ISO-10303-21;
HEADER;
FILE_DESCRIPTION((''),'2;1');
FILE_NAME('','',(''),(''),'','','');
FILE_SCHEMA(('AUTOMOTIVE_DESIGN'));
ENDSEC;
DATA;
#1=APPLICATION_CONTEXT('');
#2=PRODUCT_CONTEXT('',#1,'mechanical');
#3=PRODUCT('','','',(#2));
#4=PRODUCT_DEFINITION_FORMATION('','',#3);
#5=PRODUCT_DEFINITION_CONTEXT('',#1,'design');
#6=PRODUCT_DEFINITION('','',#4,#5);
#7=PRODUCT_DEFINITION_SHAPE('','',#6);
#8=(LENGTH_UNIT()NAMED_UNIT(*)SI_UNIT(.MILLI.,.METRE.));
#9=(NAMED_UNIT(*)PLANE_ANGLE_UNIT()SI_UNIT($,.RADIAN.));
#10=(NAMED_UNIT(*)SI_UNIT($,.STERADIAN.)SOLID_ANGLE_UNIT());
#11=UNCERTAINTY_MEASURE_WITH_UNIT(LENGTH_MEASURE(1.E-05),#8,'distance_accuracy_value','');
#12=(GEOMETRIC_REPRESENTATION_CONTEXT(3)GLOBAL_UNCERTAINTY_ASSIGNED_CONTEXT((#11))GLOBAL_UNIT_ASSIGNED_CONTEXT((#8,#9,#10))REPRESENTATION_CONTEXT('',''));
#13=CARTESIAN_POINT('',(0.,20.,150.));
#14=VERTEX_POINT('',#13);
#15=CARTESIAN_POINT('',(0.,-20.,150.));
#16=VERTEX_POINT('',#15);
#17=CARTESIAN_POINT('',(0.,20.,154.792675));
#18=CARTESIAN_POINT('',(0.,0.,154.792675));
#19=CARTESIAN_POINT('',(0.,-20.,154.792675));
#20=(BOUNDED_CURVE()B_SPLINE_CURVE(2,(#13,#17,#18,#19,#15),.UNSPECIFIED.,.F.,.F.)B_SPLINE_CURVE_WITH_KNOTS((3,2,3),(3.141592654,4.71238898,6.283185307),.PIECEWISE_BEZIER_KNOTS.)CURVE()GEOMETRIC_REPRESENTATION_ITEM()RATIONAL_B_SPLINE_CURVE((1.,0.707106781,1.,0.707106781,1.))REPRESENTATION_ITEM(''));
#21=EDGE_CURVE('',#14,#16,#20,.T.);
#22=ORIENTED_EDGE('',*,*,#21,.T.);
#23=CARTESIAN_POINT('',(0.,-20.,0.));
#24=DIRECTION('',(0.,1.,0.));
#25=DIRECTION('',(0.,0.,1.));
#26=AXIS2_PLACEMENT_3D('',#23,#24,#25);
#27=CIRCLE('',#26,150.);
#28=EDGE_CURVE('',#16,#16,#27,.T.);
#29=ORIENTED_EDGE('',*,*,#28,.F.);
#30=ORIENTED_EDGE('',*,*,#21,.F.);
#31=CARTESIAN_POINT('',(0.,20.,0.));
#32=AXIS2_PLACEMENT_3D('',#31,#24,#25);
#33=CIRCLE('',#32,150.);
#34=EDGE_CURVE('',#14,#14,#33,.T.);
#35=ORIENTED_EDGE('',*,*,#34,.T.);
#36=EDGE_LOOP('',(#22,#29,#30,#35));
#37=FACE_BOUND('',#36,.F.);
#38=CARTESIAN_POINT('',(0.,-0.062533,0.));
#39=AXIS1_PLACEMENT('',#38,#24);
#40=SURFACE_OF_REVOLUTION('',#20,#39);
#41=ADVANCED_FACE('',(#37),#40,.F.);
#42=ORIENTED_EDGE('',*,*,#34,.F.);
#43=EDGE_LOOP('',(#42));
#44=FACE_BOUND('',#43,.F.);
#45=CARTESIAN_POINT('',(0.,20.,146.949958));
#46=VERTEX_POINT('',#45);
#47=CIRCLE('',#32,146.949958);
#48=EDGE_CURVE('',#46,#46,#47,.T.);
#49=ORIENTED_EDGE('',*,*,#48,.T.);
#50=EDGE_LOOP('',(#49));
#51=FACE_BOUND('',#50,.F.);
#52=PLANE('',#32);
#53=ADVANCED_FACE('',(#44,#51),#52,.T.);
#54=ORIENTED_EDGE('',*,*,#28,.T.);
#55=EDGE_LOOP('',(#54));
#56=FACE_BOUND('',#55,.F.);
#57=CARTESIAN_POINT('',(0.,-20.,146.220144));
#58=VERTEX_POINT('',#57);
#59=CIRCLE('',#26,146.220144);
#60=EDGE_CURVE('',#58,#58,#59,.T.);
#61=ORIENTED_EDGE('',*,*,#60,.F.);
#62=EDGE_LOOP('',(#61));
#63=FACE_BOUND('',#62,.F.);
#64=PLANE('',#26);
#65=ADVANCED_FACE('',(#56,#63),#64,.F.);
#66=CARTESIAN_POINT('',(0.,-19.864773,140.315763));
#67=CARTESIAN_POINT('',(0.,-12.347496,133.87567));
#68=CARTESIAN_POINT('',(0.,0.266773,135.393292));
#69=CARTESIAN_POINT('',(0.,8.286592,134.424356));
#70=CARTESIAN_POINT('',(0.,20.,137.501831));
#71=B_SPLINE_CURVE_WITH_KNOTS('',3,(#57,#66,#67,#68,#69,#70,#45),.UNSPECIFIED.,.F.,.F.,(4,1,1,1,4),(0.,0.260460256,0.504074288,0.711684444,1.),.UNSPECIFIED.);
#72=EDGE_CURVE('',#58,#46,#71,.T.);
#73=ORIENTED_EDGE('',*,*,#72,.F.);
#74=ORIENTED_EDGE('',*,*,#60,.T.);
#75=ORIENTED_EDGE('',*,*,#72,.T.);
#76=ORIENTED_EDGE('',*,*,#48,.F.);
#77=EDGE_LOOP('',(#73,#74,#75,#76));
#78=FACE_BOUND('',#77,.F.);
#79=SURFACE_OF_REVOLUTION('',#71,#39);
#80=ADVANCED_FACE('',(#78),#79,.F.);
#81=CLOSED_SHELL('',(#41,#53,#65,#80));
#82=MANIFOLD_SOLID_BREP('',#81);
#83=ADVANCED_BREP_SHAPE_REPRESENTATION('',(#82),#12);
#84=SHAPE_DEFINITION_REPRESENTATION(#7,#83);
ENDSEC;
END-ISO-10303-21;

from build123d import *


with BuildPart() as f1:
    # F0 (on Right) → F1 (revolve)
    with BuildSketch(Plane.YZ):
        with BuildLine():
            Line((20, 146.9499582615), (20, 150))
            add(Edge.make_bspline(
                [(20, 150), (20, 154.7926752453), (0, 154.7926752453), (-20, 154.7926752453), (-20, 150)],
                knots=[3.1415926536, 3.1415926536, 3.1415926536, 4.7123889804, 4.7123889804, 6.2831853072, 6.2831853072, 6.2831853072], degree=2, weights=[1, 0.7071067812, 1, 0.7071067812, 1]))
            Line((-20, 150), (-20, 146.2201436687))
            add(Edge.make_bspline(
                [(-20, 146.2201436687), (-19.8647730145, 140.3157632536), (-12.3474958884, 133.8756695121), (0.2667731393, 135.393292093), (8.2865924323, 134.4243563121), (20, 137.5018308419), (20, 146.9499582615)],
                knots=[0, 0, 0, 0, 0.2604602555, 0.5040742877, 0.711684444, 1, 1, 1, 1], degree=3))
        make_face()
    revolve(axis=Axis((0, -0.0625327229, 0), (0, 1, 0)))


solid = f1.part
